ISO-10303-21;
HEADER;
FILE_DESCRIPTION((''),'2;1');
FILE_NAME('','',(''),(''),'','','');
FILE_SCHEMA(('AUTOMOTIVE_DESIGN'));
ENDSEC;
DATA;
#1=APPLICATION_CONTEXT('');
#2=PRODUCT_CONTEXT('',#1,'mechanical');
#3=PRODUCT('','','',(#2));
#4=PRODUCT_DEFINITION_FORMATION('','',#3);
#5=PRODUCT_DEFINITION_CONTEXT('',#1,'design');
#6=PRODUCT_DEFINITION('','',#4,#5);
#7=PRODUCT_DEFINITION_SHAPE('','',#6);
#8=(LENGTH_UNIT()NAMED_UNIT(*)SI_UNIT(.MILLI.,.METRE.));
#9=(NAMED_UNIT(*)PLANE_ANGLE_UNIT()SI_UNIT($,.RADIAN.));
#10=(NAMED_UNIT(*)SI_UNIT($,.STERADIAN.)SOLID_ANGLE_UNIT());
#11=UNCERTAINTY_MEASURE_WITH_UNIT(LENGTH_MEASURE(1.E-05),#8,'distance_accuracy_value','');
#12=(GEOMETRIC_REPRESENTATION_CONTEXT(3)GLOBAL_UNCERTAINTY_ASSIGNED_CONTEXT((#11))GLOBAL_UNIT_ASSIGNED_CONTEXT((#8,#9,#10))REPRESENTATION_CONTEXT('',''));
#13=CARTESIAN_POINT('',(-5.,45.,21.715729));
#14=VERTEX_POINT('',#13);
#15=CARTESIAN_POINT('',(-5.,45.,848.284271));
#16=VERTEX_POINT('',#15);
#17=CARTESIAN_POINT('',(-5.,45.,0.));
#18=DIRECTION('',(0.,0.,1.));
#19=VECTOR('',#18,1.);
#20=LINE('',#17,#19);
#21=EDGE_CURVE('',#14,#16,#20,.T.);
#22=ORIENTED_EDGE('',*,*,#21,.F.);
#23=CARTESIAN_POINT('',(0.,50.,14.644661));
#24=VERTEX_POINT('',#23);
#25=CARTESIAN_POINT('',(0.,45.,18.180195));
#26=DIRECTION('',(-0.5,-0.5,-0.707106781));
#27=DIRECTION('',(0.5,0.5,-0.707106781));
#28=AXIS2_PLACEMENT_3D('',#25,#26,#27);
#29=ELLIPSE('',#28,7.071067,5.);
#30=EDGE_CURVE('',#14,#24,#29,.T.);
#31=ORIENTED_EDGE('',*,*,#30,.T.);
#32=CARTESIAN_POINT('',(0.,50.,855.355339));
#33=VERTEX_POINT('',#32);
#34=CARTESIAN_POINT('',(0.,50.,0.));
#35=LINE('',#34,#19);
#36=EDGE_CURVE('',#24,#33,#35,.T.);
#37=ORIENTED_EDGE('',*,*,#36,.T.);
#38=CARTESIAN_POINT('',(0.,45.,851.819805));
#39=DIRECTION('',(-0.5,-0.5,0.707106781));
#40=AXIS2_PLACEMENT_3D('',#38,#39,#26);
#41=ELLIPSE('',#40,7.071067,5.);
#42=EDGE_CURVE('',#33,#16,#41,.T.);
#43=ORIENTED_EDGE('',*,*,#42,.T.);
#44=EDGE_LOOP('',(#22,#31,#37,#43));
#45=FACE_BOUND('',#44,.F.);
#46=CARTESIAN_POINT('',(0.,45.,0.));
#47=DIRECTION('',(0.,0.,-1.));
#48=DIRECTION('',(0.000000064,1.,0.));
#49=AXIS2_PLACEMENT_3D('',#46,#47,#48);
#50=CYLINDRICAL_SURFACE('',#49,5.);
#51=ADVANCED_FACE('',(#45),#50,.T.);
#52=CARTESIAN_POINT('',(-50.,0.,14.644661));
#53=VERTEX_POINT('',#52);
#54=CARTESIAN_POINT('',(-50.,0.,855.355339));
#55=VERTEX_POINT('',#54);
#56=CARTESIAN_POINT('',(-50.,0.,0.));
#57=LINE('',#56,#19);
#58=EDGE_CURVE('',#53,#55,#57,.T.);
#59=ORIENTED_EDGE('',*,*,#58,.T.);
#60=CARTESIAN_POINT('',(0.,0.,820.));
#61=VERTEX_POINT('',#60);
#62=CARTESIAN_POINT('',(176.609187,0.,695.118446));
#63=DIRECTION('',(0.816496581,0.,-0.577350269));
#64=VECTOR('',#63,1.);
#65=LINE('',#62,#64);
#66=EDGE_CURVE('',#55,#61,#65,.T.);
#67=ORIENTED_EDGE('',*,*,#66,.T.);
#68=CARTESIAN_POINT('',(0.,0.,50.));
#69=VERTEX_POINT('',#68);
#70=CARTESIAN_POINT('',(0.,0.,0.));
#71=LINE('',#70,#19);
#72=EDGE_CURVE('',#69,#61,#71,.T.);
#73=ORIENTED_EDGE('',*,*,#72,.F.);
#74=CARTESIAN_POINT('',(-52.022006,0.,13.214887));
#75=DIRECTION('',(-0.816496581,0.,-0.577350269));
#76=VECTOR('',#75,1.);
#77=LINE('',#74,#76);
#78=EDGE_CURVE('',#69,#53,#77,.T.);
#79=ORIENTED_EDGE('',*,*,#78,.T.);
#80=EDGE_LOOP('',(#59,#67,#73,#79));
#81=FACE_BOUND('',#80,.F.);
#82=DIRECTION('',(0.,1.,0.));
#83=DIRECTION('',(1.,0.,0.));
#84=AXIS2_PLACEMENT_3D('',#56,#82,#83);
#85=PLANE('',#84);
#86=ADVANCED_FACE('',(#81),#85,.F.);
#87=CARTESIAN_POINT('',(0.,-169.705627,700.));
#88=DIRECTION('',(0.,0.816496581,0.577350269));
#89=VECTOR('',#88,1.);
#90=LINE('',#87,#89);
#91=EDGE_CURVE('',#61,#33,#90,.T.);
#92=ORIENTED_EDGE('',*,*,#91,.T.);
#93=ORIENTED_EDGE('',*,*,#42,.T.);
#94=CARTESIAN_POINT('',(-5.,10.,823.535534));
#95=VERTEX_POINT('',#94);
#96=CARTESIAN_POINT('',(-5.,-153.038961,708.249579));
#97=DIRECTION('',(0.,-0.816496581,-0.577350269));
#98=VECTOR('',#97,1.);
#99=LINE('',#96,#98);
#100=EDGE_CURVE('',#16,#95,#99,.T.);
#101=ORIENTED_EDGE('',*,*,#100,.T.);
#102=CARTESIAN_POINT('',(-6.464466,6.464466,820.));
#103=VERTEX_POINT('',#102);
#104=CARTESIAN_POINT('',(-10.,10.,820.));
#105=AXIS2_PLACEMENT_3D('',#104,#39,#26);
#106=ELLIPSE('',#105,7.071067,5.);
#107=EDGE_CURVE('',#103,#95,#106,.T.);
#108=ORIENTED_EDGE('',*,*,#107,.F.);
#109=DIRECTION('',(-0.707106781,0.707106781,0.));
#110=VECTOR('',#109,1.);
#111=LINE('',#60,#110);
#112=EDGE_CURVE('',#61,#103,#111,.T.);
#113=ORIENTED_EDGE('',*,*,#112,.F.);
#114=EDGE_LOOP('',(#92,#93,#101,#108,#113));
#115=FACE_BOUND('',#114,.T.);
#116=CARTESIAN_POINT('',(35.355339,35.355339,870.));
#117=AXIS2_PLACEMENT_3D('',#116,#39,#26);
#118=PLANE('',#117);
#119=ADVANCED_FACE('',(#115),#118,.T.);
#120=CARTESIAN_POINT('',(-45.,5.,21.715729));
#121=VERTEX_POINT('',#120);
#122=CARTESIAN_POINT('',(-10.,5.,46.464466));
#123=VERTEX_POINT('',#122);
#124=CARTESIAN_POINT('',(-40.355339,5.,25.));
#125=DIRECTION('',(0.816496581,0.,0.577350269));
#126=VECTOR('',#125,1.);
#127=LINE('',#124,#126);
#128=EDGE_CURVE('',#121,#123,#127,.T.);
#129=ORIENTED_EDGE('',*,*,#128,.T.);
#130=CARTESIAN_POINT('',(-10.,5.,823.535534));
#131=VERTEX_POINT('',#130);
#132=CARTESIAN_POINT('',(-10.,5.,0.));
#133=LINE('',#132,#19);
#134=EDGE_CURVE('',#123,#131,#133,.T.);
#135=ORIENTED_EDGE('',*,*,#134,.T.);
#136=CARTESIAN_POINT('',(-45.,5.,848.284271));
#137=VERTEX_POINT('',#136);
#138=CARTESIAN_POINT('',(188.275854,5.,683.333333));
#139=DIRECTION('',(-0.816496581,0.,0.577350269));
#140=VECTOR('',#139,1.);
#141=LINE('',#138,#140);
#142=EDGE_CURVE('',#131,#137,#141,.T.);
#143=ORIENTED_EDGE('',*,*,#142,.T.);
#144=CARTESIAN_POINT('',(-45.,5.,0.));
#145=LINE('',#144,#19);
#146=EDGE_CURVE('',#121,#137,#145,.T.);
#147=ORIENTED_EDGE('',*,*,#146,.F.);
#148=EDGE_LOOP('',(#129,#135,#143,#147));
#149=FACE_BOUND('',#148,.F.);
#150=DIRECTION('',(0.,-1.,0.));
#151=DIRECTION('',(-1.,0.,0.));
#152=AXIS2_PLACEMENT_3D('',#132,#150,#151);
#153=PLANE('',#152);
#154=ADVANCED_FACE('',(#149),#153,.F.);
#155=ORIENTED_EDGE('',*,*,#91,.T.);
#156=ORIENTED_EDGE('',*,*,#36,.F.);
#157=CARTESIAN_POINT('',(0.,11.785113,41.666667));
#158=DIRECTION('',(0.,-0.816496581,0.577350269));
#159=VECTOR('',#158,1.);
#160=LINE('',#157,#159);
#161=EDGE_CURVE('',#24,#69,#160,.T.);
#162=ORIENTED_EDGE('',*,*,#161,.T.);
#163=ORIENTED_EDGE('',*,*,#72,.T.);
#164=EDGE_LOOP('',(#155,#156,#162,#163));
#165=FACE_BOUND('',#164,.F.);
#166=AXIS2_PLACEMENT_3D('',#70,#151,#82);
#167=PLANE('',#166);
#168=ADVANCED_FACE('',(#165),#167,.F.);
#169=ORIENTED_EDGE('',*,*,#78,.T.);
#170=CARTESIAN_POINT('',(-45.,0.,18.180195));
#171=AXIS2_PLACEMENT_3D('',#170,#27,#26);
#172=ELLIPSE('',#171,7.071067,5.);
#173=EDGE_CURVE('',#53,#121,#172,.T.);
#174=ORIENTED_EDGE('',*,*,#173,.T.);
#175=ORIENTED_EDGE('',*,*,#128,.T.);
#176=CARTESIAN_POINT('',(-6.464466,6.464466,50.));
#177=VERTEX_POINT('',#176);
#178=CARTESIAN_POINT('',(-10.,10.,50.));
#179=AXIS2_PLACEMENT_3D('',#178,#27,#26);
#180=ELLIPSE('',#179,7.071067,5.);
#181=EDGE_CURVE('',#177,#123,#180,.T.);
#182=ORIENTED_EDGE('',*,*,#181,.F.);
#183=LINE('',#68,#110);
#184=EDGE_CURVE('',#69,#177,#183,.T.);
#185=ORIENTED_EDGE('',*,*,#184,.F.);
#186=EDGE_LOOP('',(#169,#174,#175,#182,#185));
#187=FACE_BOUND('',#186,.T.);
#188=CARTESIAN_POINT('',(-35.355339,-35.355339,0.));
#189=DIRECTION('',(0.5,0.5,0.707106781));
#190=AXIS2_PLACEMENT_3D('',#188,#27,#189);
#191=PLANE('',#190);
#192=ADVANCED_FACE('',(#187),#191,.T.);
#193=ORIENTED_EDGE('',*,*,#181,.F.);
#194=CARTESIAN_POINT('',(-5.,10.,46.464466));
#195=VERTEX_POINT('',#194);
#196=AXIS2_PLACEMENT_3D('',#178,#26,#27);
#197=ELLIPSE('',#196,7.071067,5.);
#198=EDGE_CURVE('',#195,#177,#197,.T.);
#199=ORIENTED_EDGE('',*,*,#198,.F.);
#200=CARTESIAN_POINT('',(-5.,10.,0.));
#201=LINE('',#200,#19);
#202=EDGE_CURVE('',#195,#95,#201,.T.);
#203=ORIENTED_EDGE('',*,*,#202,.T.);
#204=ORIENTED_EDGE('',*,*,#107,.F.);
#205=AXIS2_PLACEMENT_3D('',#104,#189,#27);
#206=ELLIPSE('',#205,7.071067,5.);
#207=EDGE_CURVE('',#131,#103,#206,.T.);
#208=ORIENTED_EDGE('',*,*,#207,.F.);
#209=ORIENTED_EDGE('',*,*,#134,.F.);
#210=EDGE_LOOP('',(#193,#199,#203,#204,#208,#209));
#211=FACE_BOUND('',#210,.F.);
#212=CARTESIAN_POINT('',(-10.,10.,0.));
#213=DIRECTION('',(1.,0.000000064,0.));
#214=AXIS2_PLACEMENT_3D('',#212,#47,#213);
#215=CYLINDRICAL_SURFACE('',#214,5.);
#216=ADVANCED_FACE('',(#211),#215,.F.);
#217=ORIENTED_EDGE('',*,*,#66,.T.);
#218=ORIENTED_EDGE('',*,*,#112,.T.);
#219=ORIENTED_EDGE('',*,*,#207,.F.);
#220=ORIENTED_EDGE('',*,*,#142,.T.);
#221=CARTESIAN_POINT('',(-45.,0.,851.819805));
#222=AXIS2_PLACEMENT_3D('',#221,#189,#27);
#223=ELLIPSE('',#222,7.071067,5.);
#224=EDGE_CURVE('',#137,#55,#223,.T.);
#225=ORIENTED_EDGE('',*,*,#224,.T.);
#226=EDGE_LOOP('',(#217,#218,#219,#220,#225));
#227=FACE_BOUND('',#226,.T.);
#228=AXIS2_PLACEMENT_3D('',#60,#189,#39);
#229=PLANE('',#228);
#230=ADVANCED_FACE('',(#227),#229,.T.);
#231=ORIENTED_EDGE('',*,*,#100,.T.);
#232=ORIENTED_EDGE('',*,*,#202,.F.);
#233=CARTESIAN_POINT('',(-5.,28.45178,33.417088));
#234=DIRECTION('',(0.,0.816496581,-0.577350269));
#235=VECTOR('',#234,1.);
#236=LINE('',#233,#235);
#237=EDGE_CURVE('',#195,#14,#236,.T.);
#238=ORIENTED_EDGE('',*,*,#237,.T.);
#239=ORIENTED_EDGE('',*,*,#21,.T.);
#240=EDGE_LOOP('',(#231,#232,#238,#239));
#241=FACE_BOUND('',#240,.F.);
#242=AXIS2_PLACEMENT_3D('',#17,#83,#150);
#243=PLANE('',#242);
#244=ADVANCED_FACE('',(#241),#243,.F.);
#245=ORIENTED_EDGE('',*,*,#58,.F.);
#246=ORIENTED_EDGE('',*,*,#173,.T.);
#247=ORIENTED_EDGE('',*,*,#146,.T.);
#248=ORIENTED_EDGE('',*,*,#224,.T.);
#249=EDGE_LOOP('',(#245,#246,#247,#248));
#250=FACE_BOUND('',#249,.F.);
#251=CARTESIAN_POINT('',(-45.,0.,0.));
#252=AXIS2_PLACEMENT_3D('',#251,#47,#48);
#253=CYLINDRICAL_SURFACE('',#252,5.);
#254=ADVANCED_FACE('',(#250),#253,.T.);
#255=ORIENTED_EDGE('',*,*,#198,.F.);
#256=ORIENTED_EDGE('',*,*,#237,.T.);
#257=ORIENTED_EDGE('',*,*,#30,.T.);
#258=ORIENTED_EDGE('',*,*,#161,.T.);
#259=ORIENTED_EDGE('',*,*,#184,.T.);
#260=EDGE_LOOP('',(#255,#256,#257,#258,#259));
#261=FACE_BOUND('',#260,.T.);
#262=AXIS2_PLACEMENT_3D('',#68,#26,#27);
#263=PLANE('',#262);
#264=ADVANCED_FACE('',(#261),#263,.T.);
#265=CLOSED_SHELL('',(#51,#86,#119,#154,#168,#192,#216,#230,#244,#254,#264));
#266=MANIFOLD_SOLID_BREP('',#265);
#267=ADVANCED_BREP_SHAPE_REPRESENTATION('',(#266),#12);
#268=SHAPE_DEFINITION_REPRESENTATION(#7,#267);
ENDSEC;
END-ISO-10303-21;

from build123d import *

# Parameters (mm, degrees)
F1_DEPTH = 870
F4_DEPTH = 100


with BuildPart() as f1:
    # F0 (on Top) → F1 (new body)
    with BuildSketch(Plane.XY):
        with BuildLine():
            Line((-50, 0), (0, 0))
            Line((0, 0), (0, 50))
            ThreePointArc((0, 50), (-3.535534, 48.535534), (-5, 45))
            Line((-5, 45), (-5, 10))
            ThreePointArc((-5, 10), (-6.464466, 6.464466), (-10, 5))
            Line((-10, 5), (-45, 5))
            ThreePointArc((-45, 5), (-48.535534, 3.535534), (-50, 0))
        make_face()
    extrude(amount=F1_DEPTH)

    # F3 (on face) → F4 (cut)
    with BuildSketch(Plane(origin=(0, 0, 0), x_dir=(-0.707107, -0.707107, 0), z_dir=(-0.707107, 0.707107, 0))):
        Polygon((-50, 0), (0, 0), (0, 50), align=None)
        Polygon((0, 50), (0, 0), (50, 0), align=None)
        Polygon((-50, 870), (0, 820), (0, 870), align=None)
        Polygon((0, 870), (0, 820), (50, 870), align=None)
    extrude(amount=F4_DEPTH, mode=Mode.SUBTRACT)


solid = f1.part
